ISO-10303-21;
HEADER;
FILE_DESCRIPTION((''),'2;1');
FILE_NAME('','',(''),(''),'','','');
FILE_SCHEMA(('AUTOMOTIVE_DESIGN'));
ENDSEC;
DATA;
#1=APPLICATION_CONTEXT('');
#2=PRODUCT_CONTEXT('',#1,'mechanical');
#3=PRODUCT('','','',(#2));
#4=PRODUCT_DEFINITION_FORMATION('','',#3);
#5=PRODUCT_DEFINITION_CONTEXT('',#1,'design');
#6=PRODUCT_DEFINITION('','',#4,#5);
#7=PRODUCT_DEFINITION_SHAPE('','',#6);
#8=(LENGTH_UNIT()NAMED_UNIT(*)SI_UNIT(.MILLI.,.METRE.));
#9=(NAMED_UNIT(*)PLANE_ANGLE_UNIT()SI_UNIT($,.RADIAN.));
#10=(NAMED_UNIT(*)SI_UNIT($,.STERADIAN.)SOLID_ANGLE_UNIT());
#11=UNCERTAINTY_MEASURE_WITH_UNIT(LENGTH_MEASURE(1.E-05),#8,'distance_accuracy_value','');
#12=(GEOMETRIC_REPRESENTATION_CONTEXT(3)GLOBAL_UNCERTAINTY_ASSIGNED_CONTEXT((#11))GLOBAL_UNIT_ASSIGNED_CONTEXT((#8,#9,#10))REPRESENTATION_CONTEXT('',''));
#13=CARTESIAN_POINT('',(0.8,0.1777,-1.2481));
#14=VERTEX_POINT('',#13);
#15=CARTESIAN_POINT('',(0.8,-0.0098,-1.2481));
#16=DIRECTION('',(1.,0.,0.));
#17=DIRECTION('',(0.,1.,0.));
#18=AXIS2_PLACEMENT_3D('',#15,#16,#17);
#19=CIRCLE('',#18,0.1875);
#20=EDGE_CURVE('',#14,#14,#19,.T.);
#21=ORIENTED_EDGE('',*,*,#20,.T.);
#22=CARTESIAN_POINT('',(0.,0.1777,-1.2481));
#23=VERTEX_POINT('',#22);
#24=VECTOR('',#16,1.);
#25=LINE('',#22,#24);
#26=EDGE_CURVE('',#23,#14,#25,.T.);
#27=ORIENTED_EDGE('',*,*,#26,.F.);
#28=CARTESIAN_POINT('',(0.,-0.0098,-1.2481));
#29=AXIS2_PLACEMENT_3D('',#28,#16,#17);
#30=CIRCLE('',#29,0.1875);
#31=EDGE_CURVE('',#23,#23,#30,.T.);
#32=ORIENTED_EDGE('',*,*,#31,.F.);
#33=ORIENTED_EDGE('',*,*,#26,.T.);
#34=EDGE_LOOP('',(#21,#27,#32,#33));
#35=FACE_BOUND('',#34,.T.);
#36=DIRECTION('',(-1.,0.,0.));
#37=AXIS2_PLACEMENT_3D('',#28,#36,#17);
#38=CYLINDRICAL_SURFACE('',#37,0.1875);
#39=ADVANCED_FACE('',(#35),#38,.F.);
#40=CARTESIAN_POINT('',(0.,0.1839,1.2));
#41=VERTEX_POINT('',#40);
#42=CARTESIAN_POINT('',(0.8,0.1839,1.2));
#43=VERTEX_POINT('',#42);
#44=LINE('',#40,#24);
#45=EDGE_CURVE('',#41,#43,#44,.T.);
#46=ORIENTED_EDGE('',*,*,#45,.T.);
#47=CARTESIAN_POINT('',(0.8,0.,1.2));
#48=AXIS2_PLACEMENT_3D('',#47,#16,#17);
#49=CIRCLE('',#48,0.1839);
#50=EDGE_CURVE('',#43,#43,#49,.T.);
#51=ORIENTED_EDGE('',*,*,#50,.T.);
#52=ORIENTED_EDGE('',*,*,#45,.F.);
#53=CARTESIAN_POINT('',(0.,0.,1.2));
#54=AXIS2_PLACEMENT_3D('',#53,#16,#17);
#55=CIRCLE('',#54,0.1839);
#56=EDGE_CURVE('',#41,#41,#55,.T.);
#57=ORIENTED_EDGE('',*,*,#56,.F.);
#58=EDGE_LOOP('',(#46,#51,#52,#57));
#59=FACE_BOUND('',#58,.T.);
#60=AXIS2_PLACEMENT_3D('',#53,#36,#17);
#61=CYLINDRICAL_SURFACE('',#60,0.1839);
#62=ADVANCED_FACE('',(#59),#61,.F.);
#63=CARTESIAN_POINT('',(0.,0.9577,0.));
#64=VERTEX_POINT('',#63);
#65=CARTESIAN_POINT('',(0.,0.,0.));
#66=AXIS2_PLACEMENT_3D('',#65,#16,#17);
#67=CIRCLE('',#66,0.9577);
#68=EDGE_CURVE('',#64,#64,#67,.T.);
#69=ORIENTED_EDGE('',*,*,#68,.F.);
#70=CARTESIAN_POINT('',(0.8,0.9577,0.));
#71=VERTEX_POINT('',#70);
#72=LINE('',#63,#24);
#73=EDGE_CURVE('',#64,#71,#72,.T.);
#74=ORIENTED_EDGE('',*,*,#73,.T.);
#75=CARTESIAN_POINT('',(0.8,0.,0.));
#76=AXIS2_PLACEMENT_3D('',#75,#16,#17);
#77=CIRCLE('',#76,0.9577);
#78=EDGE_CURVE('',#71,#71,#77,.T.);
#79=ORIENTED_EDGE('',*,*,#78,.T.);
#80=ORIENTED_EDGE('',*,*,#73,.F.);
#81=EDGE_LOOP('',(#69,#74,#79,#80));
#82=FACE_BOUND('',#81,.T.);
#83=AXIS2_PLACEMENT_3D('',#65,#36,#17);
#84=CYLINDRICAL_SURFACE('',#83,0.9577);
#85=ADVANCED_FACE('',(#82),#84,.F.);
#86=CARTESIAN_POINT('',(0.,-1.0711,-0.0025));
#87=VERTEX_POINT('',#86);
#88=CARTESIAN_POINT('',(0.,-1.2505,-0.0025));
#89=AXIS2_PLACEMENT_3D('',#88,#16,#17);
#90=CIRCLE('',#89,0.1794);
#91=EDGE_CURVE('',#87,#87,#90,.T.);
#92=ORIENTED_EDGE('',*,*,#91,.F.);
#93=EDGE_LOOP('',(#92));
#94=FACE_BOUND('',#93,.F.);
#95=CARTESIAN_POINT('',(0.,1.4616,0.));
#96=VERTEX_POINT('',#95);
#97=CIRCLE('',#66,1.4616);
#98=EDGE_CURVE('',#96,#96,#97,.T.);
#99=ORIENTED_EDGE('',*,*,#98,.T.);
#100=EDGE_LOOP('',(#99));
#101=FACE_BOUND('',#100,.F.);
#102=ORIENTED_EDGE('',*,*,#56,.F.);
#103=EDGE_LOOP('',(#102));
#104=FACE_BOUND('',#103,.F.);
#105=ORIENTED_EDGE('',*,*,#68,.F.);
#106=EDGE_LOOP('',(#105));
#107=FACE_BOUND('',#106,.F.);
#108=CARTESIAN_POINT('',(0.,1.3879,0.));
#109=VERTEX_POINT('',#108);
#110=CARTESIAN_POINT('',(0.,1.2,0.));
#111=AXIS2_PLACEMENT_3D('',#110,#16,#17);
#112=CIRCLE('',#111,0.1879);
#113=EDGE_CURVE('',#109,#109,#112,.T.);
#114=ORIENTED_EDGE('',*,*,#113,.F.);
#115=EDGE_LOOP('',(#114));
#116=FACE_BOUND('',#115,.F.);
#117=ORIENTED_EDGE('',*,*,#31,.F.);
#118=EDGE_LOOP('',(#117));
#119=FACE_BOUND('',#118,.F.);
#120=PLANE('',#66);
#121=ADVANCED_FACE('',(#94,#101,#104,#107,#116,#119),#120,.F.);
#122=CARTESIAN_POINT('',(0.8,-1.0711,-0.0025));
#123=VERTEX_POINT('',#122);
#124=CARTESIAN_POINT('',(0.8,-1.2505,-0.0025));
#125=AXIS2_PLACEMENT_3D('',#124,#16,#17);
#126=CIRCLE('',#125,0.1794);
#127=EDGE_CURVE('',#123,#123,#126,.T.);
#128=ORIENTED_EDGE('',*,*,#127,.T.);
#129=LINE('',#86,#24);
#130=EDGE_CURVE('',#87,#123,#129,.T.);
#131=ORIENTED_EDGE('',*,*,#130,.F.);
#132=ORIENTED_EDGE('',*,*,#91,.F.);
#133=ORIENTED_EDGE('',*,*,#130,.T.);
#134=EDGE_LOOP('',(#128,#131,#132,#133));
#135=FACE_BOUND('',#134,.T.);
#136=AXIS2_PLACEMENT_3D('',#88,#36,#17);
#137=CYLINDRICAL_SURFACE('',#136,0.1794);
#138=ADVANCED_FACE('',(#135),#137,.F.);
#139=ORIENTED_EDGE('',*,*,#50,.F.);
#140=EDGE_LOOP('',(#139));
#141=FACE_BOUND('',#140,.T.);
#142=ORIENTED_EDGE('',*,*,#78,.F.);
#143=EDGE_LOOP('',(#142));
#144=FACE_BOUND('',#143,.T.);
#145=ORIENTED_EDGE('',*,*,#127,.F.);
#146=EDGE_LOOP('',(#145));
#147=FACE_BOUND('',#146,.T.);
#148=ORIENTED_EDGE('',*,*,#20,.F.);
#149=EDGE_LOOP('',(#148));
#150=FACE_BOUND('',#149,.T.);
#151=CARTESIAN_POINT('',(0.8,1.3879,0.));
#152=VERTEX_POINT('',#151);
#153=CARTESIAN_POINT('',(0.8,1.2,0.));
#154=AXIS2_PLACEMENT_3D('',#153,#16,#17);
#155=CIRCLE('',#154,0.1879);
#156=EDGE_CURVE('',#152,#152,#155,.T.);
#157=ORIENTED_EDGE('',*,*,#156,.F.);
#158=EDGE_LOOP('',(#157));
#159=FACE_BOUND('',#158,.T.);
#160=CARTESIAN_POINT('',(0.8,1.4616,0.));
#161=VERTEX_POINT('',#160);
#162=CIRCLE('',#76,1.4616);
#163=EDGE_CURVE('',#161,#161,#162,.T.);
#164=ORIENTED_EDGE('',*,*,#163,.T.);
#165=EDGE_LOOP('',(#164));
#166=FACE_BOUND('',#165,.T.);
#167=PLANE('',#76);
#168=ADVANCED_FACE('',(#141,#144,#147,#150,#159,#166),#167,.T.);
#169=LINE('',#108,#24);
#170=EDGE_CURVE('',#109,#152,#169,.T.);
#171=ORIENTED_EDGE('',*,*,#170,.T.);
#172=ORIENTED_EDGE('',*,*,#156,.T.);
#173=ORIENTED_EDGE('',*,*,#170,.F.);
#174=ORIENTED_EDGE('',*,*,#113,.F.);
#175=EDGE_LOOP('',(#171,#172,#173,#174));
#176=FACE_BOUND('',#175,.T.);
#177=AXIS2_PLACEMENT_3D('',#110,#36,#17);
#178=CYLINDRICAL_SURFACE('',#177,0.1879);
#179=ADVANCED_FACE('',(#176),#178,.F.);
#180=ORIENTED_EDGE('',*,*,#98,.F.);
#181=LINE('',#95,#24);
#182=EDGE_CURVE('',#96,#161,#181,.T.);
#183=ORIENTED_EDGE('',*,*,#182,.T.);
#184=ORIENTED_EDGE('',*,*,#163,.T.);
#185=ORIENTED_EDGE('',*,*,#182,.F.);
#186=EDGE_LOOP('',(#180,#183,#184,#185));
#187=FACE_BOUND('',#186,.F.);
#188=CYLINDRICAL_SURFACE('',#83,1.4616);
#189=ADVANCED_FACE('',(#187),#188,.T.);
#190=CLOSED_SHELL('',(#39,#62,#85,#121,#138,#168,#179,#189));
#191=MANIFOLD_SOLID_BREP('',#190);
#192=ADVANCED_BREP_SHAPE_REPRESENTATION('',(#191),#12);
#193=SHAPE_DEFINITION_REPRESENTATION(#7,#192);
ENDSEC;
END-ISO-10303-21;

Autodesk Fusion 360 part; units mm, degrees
sketch "Sketch1" plane through (0, 0, 0) normal (1, 0, 0) x (0, 1, 0)
  circle A0 centre (0, 0) radius 1.4616
  circle A1 centre (0, 0) radius 0.9577
  circle A2 centre (0, 1.2) radius 0.1839
  circle A3 centre (1.2, 0) radius 0.1879
  circle A4 centre (-1.2505, -0.0025) radius 0.1794
  circle A5 centre (-0.0098, -1.2481) radius 0.1875
extrude "Extrude1" add sketch "Sketch1" along normal blind 0.8
